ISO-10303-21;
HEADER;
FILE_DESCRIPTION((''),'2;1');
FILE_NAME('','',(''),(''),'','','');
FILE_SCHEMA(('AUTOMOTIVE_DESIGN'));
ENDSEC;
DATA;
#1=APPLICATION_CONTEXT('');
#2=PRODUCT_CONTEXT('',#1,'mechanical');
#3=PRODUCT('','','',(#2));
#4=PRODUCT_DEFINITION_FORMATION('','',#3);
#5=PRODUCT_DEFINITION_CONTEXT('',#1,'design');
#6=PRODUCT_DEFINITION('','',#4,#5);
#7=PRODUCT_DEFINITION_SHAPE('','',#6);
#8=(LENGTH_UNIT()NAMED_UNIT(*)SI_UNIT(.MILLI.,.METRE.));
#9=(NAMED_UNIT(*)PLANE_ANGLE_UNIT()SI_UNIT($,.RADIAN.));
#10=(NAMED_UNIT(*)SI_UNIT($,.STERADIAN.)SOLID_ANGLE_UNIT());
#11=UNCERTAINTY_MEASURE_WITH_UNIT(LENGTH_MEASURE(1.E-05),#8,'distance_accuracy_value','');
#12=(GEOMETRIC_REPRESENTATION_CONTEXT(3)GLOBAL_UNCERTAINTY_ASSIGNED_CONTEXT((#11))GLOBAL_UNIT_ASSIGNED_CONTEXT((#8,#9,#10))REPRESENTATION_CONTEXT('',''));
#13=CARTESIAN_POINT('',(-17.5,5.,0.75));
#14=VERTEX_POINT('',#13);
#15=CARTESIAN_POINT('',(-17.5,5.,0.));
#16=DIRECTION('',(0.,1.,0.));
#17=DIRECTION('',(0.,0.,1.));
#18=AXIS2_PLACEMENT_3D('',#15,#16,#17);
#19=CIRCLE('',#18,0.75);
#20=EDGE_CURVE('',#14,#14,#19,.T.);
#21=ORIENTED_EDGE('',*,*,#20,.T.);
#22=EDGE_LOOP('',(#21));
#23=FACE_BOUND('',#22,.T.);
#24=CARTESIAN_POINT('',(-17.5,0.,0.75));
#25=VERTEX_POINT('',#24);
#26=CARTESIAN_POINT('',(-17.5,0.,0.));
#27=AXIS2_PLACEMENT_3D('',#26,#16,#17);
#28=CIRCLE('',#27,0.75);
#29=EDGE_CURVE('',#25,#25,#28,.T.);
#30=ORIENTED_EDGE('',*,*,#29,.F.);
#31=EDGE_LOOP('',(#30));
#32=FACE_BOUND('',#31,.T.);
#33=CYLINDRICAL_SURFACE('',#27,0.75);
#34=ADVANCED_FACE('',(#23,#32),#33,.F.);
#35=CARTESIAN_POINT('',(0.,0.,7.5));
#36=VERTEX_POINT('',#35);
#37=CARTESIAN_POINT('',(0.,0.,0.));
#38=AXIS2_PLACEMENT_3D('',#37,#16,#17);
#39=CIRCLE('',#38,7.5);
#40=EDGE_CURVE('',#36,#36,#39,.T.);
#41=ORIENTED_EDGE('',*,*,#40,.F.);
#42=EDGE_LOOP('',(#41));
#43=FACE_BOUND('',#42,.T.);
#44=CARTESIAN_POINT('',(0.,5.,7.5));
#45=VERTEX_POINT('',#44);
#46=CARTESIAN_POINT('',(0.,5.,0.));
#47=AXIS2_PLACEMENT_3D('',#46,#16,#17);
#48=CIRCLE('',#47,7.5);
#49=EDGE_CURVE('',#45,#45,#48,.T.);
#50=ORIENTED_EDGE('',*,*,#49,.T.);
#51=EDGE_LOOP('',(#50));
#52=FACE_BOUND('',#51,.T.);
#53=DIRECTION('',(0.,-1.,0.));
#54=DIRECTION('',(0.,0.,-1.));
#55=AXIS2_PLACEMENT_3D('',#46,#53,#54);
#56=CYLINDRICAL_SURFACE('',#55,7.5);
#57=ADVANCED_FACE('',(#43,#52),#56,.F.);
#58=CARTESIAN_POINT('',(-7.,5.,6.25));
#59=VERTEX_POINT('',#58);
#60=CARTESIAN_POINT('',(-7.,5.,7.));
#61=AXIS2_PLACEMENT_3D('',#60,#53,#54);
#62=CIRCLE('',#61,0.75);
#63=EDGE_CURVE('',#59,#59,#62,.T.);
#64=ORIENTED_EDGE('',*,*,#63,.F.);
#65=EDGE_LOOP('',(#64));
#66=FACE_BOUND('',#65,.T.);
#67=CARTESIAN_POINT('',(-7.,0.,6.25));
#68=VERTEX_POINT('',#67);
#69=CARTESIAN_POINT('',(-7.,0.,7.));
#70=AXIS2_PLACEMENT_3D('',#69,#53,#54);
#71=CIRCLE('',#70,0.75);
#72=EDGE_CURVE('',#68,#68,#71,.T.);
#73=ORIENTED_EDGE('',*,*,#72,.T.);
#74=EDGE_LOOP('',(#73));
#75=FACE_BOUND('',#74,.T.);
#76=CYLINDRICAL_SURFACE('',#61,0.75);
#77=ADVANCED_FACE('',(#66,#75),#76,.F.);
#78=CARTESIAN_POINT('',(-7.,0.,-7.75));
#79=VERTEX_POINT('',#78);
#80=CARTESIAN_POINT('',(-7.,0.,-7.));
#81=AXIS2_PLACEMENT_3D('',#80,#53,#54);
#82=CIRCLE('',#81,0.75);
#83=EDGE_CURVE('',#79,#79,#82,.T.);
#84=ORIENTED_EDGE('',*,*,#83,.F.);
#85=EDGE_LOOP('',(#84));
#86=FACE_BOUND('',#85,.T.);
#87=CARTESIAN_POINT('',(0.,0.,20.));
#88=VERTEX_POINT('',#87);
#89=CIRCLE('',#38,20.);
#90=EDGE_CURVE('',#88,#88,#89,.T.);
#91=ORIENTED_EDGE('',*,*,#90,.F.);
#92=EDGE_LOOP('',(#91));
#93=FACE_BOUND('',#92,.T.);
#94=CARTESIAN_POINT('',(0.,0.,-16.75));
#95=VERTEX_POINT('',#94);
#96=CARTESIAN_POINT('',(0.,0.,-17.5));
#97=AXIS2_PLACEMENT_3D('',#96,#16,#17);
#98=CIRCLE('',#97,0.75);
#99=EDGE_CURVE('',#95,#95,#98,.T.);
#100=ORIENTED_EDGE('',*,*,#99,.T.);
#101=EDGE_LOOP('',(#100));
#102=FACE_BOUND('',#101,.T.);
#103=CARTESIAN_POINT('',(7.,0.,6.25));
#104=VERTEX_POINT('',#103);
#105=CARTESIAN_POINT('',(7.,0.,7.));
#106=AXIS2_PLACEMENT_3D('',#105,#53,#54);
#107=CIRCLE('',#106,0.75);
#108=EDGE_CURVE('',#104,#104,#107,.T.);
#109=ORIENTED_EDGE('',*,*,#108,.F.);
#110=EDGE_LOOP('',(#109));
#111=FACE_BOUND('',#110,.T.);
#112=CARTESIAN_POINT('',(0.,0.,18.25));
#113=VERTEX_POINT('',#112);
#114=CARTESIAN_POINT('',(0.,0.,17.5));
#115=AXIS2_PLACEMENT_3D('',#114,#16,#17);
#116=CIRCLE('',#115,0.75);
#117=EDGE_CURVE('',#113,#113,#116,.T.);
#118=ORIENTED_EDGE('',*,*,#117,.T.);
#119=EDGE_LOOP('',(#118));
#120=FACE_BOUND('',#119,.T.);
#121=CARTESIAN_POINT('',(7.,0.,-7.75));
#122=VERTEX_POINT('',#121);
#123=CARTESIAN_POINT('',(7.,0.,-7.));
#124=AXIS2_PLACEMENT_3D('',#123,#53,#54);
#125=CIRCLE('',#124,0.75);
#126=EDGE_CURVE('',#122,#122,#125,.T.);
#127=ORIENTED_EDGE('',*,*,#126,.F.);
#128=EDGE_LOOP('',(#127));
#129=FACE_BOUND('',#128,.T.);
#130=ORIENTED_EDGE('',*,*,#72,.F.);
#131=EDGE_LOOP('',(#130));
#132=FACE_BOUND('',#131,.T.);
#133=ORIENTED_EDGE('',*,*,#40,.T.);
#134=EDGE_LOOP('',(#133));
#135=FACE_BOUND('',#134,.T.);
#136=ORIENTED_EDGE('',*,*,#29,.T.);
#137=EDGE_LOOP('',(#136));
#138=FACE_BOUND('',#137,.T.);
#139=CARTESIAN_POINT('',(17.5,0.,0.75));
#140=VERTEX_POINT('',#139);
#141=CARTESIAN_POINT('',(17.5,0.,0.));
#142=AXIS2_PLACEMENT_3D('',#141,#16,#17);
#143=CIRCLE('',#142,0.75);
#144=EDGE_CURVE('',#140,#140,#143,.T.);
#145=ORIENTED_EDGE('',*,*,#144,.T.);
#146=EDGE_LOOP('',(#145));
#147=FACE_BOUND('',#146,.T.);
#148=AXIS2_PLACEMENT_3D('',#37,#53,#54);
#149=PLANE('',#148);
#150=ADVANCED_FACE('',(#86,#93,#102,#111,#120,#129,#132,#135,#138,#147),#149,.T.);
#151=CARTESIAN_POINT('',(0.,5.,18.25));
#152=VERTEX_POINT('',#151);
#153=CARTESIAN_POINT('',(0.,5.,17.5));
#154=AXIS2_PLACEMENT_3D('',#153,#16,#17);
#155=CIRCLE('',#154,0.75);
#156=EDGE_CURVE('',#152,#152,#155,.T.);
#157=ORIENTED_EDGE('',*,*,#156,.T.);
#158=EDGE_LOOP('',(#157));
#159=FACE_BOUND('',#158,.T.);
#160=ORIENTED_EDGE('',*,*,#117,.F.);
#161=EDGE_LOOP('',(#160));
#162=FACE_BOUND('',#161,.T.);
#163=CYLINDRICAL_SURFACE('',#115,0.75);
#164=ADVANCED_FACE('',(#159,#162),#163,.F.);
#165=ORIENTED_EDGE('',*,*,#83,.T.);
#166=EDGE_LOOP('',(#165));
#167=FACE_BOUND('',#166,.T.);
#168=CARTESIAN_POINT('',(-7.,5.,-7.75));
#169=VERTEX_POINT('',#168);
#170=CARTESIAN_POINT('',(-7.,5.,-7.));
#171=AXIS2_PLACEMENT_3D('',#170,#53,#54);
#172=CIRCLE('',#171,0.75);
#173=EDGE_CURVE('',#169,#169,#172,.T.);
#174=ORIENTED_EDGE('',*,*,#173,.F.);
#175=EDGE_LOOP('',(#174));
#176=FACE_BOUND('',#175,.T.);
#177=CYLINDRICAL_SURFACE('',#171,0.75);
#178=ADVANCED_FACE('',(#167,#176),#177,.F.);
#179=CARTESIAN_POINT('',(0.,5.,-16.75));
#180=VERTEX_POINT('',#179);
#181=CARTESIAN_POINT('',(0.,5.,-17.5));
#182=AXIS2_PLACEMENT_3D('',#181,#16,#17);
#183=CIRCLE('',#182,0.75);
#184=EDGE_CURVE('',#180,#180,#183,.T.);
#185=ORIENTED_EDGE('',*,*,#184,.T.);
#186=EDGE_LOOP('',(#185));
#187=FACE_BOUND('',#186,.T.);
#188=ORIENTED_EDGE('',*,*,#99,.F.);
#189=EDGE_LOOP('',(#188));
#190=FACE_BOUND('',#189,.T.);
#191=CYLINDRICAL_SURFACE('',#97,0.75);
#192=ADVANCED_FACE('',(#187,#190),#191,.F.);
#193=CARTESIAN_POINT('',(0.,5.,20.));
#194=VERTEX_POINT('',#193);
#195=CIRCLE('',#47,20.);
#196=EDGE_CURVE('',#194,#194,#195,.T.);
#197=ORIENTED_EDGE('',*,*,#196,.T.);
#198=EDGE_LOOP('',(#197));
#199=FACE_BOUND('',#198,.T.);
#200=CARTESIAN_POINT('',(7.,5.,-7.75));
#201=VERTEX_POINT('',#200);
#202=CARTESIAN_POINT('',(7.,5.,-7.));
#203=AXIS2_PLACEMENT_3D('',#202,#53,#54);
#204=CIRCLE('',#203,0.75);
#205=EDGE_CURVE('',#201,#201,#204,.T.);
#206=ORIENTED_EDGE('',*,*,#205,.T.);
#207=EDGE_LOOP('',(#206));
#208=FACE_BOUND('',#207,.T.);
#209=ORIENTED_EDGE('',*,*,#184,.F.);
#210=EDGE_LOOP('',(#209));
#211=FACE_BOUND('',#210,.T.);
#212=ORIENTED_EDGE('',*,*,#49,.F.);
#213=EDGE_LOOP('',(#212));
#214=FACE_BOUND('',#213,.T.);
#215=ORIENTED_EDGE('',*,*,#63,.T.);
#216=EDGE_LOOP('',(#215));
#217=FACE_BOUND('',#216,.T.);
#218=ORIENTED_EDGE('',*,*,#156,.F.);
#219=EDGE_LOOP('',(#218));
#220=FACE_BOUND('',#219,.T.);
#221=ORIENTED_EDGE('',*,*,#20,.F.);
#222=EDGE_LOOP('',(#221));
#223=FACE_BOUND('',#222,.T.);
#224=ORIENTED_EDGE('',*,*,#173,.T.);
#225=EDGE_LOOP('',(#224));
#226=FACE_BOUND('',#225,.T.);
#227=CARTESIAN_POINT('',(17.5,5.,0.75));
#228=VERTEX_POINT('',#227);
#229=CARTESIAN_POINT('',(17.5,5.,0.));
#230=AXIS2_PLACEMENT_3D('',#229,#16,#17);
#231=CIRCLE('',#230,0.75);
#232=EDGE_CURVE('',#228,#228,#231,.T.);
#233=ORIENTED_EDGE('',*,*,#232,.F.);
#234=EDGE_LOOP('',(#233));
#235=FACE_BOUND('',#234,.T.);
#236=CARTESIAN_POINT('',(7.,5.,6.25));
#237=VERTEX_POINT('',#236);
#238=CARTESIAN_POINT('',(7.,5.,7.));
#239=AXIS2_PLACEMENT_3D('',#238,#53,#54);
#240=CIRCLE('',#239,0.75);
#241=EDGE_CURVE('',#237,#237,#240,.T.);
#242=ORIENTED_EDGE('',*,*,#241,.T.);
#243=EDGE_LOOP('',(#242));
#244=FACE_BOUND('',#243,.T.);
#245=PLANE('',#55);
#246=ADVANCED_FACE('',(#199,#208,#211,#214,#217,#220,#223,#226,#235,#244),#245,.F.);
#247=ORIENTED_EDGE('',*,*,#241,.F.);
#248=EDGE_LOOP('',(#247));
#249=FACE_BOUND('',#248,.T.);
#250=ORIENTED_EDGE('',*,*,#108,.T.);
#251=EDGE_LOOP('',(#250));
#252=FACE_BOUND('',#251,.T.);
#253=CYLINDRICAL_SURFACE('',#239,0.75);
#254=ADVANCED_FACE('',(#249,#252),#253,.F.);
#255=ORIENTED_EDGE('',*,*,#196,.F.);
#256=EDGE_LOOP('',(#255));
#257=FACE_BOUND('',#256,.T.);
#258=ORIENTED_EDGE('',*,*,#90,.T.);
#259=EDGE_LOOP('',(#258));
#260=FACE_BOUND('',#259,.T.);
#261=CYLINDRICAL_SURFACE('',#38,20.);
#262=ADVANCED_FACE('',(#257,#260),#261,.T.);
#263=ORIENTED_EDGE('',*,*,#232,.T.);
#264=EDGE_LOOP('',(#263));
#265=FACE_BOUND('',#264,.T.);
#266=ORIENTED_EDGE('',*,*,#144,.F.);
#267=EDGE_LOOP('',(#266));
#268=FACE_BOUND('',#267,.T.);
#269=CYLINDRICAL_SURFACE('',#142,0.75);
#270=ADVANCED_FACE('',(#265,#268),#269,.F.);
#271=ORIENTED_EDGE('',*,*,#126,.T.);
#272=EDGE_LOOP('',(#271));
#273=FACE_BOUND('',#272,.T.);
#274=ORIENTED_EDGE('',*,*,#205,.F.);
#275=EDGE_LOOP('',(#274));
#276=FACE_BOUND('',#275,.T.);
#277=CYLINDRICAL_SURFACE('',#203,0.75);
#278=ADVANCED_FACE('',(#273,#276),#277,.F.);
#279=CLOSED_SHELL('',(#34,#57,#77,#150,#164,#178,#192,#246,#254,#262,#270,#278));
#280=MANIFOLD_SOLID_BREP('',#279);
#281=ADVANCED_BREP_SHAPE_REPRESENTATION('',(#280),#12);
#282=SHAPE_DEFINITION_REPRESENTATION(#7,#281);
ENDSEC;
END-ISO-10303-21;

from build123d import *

# Parameters (mm, degrees)
SKETCH_1_W          = 50
SKETCH_1_H          = 50
SKETCH_1_R          = 7.5
EXTRUDE_1_DEPTH     = 5
SKETCH_3_R          = 0.75
CUT_EXTRUDE_2_DEPTH = 36.707142143
SKETCH_4_R          = 0.75
CUT_EXTRUDE_3_DEPTH = 36.707142143
SKETCH_5_OUTSIDE_W  = 66.178
SKETCH_5_OUTSIDE_H  = 66.178
SKETCH_5_OUTSIDE_R  = 20
CUT_EXTRUDE_4_DEPTH = 36.707142143


with BuildPart() as part:
    # 草图1 → 凸台-拉伸1 (new body)
    with BuildSketch(Plane(origin=(0, 0, 0), x_dir=(1, 0, 0), z_dir=(0, 1, 0))):
        Rectangle(SKETCH_1_W, SKETCH_1_H)
        with Locations(Location((0, 0, 0), (0, 0, 270))):
            Circle(SKETCH_1_R, mode=Mode.SUBTRACT)
    extrude(amount=EXTRUDE_1_DEPTH)

    # 草图3 → 切除-拉伸2 (cut, through all)
    with BuildSketch(Plane.XZ):
        with Locations(Location((-7, 7, 0), (0, 0, 270))):
            Circle(SKETCH_3_R)
        with Locations(Location((7, 7, 0), (0, 0, 270))):
            Circle(SKETCH_3_R)
        with Locations(Location((7, -7, 0), (0, 0, 270))):
            Circle(SKETCH_3_R)
        with Locations(Location((-7, -7, 0), (0, 0, 270))):
            Circle(SKETCH_3_R)
    extrude(amount=-CUT_EXTRUDE_2_DEPTH, mode=Mode.SUBTRACT)

    # 草图4 → 切除-拉伸3 (cut, through all)
    with BuildSketch(Plane(origin=(0, 5, 0), x_dir=(1, 0, 0), z_dir=(0, 1, 0))):
        with Locations(Location((0, -17.5, 0), (0, 0, 270))):
            Circle(SKETCH_4_R)
        with Locations(Location((0, 17.5, 0), (0, 0, 270))):
            Circle(SKETCH_4_R)
        with Locations(Location((17.5, 0, 0), (0, 0, 270))):
            Circle(SKETCH_4_R)
        with Locations(Location((-17.5, 0, 0), (0, 0, 270))):
            Circle(SKETCH_4_R)
    extrude(amount=-CUT_EXTRUDE_3_DEPTH, mode=Mode.SUBTRACT)

    # 草图5 outside → 切除-拉伸4 (cut, through all)
    with BuildSketch(Plane(origin=(0, 5, 0), x_dir=(1, 0, 0), z_dir=(0, 1, 0))):
        Rectangle(SKETCH_5_OUTSIDE_W, SKETCH_5_OUTSIDE_H)
        with Locations(Location((0, 0, 0), (0, 0, 270))):
            Circle(SKETCH_5_OUTSIDE_R, mode=Mode.SUBTRACT)
    extrude(amount=-CUT_EXTRUDE_4_DEPTH, mode=Mode.SUBTRACT)


solid = part.part
